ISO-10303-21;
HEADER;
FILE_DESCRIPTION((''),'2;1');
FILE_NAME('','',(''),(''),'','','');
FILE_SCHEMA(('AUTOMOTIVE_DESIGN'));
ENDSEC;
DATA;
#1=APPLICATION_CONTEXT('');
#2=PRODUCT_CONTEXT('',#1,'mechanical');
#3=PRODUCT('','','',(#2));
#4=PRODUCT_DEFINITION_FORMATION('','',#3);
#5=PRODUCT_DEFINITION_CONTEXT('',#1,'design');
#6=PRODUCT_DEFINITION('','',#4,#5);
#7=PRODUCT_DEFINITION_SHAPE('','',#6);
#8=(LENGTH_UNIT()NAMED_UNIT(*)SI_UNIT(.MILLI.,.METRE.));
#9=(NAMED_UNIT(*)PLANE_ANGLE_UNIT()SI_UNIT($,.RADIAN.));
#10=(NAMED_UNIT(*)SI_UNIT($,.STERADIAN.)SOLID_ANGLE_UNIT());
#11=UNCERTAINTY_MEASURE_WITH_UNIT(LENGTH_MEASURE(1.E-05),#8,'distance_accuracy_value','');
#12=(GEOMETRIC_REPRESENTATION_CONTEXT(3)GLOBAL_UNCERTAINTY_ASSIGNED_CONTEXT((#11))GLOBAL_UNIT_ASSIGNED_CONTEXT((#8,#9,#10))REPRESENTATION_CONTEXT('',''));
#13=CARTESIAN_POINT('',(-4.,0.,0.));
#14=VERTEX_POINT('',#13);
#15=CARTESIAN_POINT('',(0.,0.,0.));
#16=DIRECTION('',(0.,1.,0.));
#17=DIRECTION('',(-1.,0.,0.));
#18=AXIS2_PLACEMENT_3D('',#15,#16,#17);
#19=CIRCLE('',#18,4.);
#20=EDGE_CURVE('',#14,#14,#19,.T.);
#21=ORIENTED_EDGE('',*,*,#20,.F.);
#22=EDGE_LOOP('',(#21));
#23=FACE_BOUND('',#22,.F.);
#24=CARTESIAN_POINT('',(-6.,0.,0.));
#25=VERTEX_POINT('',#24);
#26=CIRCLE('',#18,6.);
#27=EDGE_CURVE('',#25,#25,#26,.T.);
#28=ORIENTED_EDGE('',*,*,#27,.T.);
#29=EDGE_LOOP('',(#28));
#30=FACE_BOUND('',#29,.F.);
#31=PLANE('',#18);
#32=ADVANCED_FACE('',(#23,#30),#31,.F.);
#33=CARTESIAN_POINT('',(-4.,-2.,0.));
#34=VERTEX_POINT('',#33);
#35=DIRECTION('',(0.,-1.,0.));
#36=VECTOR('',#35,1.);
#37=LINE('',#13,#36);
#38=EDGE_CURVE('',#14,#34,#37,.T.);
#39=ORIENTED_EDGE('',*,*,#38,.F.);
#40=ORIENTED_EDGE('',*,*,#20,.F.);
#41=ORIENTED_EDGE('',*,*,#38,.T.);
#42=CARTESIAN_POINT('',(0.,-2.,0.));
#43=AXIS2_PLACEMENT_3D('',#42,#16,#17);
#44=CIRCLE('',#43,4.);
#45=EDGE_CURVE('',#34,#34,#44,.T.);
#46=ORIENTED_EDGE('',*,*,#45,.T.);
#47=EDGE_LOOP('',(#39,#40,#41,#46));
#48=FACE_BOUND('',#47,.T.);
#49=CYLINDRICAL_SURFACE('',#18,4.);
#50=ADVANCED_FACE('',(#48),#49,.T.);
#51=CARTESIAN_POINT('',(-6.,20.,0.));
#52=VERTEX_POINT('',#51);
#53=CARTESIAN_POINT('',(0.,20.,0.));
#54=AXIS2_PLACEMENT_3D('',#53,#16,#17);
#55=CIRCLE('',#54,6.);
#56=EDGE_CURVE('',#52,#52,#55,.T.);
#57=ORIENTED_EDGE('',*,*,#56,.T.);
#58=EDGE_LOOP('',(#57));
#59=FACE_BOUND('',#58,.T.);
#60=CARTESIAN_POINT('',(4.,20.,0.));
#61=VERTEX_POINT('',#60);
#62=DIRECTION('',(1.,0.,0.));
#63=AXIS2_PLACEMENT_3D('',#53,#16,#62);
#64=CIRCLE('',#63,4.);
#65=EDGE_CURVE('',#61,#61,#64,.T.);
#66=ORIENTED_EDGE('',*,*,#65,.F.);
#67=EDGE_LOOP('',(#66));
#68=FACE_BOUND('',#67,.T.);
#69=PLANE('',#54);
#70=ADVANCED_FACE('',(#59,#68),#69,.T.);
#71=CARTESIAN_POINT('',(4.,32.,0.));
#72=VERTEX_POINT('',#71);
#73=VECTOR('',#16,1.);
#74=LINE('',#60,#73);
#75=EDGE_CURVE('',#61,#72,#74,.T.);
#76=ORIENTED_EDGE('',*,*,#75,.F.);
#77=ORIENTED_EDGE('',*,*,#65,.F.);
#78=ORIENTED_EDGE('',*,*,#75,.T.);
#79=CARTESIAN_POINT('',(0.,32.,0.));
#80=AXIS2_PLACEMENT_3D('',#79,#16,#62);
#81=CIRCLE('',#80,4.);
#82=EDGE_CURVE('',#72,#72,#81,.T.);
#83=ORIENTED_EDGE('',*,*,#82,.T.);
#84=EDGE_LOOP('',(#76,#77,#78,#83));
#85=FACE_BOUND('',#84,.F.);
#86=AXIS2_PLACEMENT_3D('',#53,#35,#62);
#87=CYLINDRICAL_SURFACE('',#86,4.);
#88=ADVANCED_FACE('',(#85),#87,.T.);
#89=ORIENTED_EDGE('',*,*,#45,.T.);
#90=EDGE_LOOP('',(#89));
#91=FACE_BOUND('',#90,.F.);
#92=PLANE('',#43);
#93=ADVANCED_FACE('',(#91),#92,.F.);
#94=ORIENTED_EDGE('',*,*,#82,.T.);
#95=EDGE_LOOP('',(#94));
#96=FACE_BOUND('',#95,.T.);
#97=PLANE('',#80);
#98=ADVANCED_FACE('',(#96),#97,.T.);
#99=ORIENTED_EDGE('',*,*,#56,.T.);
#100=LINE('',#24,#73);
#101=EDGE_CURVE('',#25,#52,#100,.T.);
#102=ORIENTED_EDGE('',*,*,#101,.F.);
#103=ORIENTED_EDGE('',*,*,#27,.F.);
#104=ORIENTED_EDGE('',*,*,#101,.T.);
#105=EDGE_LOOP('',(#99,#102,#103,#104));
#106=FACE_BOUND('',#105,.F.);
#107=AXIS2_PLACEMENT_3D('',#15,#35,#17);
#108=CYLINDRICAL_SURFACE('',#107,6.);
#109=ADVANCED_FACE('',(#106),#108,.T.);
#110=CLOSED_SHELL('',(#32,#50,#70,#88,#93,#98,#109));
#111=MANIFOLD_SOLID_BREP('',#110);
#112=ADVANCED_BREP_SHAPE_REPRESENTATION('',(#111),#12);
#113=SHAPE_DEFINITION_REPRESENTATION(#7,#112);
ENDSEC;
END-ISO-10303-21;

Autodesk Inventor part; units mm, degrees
ref_plane "YZ Plane" through (0, 0, 0) normal (1, 0, 0) x (0, 1, 0)
ref_plane "XZ Plane" through (0, 0, 0) normal (0, 1, 0) x (-1, 0, 0)
ref_plane "XY Plane" through (0, 0, 0) normal (0, 0, 1) x (1, 0, 0)
sketch "Sketch2" plane through (0, 0, 0) normal (0, 1, 0) x (-1, 0, 0)
  circle A0 centre (0, 0) radius 4
  circle A1 centre (0, 0) radius 6
  dimension "d4" = 8
  dimension "d5" = 12
extrude "Extrusion2" add sketch "Sketch2" along normal blind 20 contours A0 | A1
extrude "Extrusion3" add sketch "Sketch2" against normal blind 2 contours A0
sketch "Sketch3" plane through (0, 20, 0) normal (0, 1, 0) x (1, 0, 0)
  circle A0 centre (0, 0) radius 4 projected
extrude "Extrusion4" add sketch "Sketch3" along normal blind 12
properties part number "springStub"
